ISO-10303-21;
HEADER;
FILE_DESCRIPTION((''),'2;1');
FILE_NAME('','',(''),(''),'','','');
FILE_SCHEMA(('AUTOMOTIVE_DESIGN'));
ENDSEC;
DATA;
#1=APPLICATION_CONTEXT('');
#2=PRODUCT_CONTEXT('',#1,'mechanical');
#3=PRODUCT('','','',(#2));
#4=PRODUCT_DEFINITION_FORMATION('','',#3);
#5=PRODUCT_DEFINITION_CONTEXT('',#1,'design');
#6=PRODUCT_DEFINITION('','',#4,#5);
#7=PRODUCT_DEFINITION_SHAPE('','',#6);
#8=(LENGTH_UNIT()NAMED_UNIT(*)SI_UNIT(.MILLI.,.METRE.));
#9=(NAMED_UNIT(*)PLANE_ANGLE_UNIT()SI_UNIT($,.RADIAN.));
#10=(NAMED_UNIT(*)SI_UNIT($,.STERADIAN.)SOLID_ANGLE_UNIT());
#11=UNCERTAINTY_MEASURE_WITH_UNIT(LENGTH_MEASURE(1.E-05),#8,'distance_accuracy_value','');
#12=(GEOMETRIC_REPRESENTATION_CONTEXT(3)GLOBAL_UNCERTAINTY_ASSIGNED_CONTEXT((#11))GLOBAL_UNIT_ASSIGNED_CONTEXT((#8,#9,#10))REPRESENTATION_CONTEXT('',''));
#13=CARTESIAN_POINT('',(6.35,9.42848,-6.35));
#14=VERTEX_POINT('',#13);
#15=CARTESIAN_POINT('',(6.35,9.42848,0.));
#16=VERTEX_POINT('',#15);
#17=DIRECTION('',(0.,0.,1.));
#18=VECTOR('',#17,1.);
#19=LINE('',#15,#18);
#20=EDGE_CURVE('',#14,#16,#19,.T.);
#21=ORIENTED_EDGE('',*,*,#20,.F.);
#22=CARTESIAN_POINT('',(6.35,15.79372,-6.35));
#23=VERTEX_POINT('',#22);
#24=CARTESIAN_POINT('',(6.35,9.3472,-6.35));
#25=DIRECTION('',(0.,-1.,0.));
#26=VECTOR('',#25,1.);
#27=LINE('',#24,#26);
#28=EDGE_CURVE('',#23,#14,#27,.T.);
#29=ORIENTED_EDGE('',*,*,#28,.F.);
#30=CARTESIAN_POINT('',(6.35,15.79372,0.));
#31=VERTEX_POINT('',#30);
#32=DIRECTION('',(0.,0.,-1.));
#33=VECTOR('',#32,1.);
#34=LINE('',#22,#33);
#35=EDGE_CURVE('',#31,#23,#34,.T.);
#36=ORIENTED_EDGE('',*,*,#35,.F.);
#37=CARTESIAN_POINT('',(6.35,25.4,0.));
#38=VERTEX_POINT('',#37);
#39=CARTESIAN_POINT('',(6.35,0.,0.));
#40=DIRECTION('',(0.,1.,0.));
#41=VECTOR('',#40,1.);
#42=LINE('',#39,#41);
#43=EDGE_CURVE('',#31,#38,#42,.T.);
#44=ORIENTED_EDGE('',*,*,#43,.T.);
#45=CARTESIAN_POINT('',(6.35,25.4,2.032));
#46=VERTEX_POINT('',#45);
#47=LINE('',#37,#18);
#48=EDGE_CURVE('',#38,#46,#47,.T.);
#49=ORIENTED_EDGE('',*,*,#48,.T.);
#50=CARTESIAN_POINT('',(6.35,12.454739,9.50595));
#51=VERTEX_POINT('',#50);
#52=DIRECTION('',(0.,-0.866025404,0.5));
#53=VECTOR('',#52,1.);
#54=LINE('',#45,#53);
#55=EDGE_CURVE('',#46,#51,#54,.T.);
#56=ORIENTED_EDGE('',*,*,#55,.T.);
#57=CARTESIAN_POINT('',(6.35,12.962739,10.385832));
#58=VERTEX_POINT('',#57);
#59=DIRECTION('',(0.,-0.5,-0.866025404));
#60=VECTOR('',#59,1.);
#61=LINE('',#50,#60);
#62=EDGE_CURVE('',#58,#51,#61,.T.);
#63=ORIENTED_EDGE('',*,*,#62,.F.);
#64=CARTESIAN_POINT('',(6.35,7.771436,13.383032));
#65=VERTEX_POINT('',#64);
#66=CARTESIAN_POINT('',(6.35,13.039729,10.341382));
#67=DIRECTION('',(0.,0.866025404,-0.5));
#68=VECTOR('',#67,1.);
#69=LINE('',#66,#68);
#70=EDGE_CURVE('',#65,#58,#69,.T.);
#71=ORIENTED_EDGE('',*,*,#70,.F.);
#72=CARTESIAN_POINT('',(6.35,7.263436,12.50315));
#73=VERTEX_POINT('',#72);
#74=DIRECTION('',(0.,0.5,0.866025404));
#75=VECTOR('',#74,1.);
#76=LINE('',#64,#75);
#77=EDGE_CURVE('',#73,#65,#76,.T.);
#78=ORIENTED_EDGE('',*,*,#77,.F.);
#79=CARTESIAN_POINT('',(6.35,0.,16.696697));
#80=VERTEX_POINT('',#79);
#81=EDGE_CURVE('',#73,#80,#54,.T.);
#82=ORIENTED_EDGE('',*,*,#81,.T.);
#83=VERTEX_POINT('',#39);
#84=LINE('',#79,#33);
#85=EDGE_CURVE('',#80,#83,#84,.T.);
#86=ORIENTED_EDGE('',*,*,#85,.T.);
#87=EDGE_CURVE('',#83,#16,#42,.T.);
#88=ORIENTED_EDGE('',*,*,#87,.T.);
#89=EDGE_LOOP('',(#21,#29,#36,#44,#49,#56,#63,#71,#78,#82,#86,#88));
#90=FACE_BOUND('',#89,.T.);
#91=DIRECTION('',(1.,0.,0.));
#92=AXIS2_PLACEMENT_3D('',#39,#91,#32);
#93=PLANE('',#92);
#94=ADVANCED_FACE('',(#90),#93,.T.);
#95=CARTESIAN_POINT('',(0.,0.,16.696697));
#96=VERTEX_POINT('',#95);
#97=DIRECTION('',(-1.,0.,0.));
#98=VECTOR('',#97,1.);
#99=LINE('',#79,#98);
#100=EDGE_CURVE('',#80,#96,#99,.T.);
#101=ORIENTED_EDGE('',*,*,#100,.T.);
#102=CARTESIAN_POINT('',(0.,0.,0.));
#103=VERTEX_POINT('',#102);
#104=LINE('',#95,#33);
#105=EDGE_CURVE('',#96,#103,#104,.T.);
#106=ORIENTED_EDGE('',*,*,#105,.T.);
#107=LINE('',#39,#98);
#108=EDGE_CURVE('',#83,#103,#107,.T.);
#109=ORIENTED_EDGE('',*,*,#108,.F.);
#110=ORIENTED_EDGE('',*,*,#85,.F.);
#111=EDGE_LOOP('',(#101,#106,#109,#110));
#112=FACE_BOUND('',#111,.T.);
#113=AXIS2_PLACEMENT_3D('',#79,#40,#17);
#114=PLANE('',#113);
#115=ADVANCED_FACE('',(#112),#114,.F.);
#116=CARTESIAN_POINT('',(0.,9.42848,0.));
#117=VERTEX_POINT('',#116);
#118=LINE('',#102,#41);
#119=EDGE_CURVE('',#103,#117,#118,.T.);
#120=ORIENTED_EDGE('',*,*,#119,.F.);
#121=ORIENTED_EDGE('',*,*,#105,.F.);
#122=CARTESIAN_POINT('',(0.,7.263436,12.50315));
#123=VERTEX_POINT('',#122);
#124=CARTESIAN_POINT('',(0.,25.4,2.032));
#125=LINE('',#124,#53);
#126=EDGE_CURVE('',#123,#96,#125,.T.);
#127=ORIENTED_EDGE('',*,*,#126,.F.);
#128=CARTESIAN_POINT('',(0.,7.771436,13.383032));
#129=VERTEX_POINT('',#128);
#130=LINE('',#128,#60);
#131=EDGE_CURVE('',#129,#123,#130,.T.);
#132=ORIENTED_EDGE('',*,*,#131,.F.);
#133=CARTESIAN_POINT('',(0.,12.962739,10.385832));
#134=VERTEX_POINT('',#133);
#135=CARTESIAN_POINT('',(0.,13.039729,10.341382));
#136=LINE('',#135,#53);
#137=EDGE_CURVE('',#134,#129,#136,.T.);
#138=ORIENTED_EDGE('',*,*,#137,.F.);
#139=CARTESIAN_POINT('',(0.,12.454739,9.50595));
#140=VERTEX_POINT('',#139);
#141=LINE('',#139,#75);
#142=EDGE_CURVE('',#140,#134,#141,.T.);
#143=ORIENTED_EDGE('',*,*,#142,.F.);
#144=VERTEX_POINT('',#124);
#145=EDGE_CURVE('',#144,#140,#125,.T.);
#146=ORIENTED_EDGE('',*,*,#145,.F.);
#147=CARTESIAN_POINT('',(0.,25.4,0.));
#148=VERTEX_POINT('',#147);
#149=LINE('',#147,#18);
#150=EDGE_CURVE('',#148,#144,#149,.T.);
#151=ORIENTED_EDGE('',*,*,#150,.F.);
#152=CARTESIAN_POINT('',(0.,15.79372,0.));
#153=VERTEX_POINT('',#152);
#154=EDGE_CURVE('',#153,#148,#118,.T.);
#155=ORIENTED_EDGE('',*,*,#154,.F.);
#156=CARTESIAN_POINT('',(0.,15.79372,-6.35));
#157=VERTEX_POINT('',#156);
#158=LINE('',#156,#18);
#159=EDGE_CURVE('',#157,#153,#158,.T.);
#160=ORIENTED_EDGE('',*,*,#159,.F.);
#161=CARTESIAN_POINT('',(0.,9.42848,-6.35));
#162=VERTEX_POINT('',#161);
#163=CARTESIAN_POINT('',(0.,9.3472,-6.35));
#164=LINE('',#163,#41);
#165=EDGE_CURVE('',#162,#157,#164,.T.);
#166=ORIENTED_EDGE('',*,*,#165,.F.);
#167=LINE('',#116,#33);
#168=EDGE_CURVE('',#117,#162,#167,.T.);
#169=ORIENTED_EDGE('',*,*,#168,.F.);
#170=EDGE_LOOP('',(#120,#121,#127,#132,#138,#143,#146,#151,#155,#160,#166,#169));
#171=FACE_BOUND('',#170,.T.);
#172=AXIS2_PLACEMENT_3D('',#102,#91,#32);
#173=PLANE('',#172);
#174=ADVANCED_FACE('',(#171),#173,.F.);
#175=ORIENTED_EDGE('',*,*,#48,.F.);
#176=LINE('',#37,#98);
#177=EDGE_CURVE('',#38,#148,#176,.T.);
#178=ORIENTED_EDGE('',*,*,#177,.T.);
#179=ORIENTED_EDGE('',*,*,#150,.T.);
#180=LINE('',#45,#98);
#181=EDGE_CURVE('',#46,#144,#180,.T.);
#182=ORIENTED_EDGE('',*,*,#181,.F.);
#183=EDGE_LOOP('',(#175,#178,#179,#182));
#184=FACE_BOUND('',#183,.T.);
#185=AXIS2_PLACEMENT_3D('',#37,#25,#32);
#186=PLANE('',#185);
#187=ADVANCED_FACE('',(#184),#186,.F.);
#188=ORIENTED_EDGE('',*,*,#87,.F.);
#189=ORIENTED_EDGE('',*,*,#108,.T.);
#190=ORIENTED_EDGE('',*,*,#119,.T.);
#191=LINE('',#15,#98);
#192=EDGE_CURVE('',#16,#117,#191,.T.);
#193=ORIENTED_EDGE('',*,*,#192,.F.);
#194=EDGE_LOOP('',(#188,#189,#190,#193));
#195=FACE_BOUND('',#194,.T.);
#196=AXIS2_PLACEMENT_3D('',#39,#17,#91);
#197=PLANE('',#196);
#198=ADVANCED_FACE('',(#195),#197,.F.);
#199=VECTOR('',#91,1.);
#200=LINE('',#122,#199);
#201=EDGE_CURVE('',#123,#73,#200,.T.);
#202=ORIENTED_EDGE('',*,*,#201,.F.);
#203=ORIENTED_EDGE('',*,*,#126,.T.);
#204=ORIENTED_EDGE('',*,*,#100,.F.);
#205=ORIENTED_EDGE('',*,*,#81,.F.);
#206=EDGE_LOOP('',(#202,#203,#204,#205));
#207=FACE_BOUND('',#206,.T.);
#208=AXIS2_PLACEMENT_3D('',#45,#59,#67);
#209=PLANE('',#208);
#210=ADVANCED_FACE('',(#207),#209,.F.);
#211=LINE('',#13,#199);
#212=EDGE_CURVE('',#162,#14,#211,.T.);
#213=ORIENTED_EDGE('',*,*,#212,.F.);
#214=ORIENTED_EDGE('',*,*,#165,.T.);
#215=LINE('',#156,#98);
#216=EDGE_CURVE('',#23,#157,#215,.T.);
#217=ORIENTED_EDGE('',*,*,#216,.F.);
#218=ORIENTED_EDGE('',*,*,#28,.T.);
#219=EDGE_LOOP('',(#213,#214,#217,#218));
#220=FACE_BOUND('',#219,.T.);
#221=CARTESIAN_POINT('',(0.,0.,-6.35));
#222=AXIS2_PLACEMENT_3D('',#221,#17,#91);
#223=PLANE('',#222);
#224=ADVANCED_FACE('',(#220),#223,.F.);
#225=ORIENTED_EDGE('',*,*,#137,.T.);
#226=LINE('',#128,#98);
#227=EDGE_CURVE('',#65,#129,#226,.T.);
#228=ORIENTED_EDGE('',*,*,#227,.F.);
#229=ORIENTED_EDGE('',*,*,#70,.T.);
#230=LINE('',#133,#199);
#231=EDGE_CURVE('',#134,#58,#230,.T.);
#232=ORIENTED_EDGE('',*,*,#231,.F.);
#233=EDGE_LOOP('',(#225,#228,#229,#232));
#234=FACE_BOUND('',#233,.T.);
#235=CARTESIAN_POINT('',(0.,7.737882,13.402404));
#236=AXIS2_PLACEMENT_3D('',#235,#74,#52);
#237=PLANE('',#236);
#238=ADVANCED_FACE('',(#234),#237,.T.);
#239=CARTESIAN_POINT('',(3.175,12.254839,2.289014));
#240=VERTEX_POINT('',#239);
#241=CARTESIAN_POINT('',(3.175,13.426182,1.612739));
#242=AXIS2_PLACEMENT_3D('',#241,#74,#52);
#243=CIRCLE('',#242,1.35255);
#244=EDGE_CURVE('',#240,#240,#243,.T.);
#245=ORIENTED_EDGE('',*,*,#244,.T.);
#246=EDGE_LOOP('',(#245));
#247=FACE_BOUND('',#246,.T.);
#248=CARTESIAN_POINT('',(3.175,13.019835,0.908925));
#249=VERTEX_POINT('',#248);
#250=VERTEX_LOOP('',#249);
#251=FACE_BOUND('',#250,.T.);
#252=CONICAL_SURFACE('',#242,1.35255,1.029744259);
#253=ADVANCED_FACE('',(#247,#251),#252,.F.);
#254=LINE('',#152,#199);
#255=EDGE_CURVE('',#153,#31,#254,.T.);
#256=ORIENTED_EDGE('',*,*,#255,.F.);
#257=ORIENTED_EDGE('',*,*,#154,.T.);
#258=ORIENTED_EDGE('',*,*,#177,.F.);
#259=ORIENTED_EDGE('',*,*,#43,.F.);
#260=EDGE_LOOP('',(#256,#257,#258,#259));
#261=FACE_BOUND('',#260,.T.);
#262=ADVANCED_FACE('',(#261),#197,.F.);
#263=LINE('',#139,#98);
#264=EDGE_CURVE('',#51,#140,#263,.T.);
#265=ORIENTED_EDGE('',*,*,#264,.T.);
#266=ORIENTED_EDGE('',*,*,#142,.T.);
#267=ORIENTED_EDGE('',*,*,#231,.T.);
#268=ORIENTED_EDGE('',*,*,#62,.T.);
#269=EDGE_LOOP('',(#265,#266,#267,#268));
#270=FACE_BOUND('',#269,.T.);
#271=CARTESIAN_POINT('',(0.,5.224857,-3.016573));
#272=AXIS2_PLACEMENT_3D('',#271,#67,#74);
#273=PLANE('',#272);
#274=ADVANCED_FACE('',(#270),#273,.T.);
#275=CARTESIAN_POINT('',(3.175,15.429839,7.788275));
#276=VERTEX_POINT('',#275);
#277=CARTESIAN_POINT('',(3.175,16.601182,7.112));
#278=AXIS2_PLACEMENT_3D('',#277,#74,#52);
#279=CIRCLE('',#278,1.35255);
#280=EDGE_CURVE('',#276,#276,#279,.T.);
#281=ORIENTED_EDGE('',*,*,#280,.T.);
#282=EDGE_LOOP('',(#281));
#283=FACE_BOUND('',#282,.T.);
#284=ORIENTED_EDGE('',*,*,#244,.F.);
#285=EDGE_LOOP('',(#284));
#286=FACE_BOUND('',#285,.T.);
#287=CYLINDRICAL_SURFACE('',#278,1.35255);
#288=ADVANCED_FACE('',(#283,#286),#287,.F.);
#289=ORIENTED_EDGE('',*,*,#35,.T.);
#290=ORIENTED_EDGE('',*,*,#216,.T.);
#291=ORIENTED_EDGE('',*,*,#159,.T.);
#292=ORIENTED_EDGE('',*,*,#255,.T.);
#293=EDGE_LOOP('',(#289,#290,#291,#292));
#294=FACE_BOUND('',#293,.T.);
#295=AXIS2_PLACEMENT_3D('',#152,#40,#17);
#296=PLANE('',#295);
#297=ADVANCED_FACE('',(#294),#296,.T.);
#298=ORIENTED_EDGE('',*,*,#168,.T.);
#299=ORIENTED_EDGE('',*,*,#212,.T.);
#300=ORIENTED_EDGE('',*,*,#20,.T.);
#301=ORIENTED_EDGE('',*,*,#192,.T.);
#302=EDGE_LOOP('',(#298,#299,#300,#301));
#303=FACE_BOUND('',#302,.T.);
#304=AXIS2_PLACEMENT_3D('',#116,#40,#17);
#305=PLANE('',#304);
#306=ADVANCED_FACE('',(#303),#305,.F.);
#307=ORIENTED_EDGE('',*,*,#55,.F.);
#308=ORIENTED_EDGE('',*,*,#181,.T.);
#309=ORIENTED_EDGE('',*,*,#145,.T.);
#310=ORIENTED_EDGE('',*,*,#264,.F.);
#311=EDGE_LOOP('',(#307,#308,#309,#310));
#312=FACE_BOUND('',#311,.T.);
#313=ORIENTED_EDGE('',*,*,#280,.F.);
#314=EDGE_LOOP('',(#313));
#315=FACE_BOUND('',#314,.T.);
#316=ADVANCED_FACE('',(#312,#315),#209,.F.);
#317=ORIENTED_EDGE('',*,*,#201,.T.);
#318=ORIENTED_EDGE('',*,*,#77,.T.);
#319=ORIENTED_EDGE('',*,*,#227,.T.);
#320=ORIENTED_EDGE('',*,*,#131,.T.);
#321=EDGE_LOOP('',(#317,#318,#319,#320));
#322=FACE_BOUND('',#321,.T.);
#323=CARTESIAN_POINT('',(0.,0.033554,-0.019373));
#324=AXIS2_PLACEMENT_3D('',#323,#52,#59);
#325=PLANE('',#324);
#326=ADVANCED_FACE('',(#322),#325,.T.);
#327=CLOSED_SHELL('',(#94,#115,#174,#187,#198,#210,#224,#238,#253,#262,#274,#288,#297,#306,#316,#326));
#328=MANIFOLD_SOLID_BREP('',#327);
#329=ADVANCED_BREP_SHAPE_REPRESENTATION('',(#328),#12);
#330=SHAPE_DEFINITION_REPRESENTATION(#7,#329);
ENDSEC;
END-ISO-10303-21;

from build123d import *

# Parameters (mm, degrees)
BOSS_EXTRUDE1_DEPTH           = 6.35
SKETCH2_W                     = 6.35
SKETCH2_H                     = 6.5278
BOSS_EXTRUDE2_DEPTH           = 6.35
SKETCH8_W                     = 6.35
SKETCH8_H                     = 6.1722
BOSS_EXTRUDE3_DEPTH           = 1.016
TAP_DRILL_FOR_6_32_TAP1_D     = 2.7051
TAP_DRILL_FOR_6_32_TAP1_DEPTH = 6.35
TAP_DRILL_FOR_6_32_TAP1_TIP   = 0.81269403
SKETCH12_W                    = 6.35
SKETCH12_H                    = 6.35
CUT_EXTRUDE2_DEPTH            = 0.08128
SKETCH13_W                    = 6.35
SKETCH13_H                    = 6.35
CUT_EXTRUDE3_DEPTH            = 0.08128
SKETCH14_W                    = 6.35
SKETCH14_H                    = 1.016
CUT_EXTRUDE4_DEPTH            = 0.0889
SKETCH15_W                    = 6.35
SKETCH15_H                    = 1.016
CUT_EXTRUDE5_DEPTH            = 0.0889


with BuildPart() as part:
    # Sketch1 → Boss-Extrude1 (new body)
    with BuildSketch(Plane(origin=(0, 0, 0), x_dir=(0, 0, -1), z_dir=(1, 0, 0))):
        Polygon((0, 0), (0, 25.4), (-2.032, 25.4), (-16.696696837, 0), align=None)
    extrude(amount=BOSS_EXTRUDE1_DEPTH)

    # Sketch2 → Boss-Extrude2 (add)
    with BuildSketch(Plane(origin=(0, 0, 0), x_dir=(-1, 0, 0), z_dir=(0, 0, -1))):
        with Locations((-3.175, 12.6111)):
            Rectangle(SKETCH2_W, SKETCH2_H)
    extrude(amount=BOSS_EXTRUDE2_DEPTH)

    # Sketch8 → Boss-Extrude3 (add)
    with BuildSketch(Plane(origin=(0, 7.22988181, 12.522522628), x_dir=(1, 0, 0), z_dir=(0, 0.49999999999999467, 0.8660254037844417))):
        with Locations((3.175, 3.035945256)):
            Rectangle(SKETCH8_W, SKETCH8_H)
    extrude(amount=BOSS_EXTRUDE3_DEPTH)

    # Tap Drill for #6-32 Tap1
    with Locations(Plane(origin=(0, 7.22988181, 12.522522628), x_dir=(1, 0, 0), z_dir=(0, 0.49999999999999467, 0.8660254037844417))):
        with Locations((3.175, 10.821045256)):
            Hole(TAP_DRILL_FOR_6_32_TAP1_D / 2, depth=TAP_DRILL_FOR_6_32_TAP1_DEPTH)
            with Locations((0, 0, -(TAP_DRILL_FOR_6_32_TAP1_DEPTH + TAP_DRILL_FOR_6_32_TAP1_TIP / 2))):  # 118° drill point
                Cone(0, TAP_DRILL_FOR_6_32_TAP1_D / 2, TAP_DRILL_FOR_6_32_TAP1_TIP, mode=Mode.SUBTRACT)

    # Sketch12 → Cut-Extrude2 (cut)
    with BuildSketch(Plane(origin=(0, 15.875, 0), x_dir=(1, 0, 0), z_dir=(0, 1, 0))):
        with Locations((3.175, 3.175)):
            Rectangle(SKETCH12_W, SKETCH12_H)
    extrude(amount=-CUT_EXTRUDE2_DEPTH, mode=Mode.SUBTRACT)

    # Sketch13 → Cut-Extrude3 (cut)
    with BuildSketch(Plane.XZ.offset(-9.3472)):
        with Locations((3.175, -3.175)):
            Rectangle(SKETCH13_W, SKETCH13_H)
    extrude(amount=-CUT_EXTRUDE3_DEPTH, mode=Mode.SUBTRACT)

    # Sketch14 → Cut-Extrude4 (cut)
    with BuildSketch(Plane(origin=(0, 5.301846715, -3.061022628), x_dir=(1, 0, 0), z_dir=(0, 0.8660254037844417, -0.49999999999999467))):
        with Locations((3.175, -14.96776362)):
            Rectangle(SKETCH14_W, SKETCH14_H)
    extrude(amount=-CUT_EXTRUDE4_DEPTH, mode=Mode.SUBTRACT)

    # Sketch15 → Cut-Extrude5 (cut)
    with BuildSketch(Plane(origin=(0, -0.043435282, 0.025077372), x_dir=(1, 0, 0), z_dir=(0, -0.8660254037844417, 0.49999999999999467))):
        with Locations((3.175, 14.96776362)):
            Rectangle(SKETCH15_W, SKETCH15_H)
    extrude(amount=-CUT_EXTRUDE5_DEPTH, mode=Mode.SUBTRACT)


solid = part.part
